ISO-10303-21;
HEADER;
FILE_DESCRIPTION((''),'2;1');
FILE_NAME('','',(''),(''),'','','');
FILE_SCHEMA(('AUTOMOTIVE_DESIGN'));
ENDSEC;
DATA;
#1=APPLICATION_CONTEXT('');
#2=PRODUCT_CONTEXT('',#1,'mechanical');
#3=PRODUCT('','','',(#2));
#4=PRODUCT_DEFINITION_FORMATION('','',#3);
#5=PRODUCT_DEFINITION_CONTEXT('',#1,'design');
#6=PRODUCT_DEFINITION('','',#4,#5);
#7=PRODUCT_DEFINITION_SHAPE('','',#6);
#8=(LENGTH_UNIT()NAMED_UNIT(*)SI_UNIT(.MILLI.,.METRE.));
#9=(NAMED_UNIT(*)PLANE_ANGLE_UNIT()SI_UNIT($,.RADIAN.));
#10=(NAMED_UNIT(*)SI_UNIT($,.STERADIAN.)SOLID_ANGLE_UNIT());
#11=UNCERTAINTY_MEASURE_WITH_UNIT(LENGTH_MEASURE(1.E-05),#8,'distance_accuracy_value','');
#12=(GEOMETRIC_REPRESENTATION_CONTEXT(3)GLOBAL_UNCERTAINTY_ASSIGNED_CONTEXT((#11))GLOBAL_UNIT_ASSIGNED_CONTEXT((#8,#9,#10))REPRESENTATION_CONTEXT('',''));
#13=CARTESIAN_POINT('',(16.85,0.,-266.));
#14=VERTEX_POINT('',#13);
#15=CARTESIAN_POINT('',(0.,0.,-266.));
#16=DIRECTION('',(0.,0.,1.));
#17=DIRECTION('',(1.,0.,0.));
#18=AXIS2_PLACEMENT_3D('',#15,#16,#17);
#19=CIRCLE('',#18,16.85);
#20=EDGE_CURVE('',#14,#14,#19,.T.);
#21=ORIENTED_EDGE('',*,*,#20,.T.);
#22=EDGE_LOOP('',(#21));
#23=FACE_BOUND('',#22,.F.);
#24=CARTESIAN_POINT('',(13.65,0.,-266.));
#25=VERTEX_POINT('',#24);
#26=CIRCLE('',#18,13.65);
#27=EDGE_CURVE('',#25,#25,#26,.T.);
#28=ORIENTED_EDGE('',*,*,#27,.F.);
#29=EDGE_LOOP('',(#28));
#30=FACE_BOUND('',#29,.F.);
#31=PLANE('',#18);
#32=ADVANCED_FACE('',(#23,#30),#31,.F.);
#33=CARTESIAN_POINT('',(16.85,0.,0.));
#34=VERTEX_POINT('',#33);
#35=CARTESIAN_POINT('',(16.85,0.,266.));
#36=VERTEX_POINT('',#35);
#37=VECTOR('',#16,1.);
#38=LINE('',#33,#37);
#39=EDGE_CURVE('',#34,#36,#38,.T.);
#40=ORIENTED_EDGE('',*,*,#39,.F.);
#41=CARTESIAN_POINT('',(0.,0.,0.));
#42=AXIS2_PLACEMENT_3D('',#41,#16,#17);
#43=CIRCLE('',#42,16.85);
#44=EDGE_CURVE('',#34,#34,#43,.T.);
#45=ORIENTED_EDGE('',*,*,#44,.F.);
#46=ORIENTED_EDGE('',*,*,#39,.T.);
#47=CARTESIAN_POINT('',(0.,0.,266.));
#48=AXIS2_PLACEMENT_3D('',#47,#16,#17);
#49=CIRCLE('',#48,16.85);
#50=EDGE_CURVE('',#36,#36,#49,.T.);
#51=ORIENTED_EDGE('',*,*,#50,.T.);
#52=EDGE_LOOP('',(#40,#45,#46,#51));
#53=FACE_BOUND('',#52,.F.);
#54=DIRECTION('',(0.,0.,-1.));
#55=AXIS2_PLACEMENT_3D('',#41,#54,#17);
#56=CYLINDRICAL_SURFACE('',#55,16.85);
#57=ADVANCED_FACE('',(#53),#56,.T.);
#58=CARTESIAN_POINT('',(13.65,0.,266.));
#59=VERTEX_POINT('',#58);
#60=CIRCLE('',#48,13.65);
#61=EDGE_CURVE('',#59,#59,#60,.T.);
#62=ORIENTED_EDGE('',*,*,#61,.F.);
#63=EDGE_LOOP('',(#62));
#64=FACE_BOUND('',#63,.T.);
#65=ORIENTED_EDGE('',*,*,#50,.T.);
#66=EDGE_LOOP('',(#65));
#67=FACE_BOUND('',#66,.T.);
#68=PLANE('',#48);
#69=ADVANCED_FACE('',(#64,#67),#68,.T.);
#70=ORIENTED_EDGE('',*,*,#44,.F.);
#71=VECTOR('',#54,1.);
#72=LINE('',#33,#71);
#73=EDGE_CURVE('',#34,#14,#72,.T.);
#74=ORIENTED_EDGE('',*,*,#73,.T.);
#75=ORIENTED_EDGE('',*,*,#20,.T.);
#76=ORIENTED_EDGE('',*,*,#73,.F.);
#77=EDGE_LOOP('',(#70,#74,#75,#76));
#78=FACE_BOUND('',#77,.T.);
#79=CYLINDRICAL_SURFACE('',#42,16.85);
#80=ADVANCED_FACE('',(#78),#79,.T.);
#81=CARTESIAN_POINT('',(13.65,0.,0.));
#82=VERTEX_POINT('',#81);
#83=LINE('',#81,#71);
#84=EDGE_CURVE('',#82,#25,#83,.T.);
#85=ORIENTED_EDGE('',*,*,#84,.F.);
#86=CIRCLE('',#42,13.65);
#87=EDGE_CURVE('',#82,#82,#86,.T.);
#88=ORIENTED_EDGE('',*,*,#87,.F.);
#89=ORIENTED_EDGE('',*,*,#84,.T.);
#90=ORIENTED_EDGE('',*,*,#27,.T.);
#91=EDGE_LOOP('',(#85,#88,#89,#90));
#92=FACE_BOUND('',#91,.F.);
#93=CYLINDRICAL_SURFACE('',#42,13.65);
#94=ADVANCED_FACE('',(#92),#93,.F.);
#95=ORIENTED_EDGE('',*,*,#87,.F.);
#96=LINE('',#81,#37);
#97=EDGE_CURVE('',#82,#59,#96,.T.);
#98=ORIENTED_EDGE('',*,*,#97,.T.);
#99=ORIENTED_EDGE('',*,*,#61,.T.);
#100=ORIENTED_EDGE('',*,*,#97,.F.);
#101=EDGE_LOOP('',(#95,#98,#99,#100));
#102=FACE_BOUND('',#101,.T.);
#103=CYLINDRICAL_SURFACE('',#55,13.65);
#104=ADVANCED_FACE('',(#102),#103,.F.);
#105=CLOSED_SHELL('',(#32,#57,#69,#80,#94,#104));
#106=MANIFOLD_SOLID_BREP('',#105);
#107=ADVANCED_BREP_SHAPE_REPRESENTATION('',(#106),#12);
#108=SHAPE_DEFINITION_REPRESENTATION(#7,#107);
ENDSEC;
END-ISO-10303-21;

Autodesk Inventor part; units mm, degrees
ref_plane "YZ Plane" through (0, 0, 0) normal (1, 0, 0) x (0, 1, 0)
ref_plane "XZ Plane" through (0, 0, 0) normal (0, 1, 0) x (-1, 0, 0)
ref_plane "XY Plane" through (0, 0, 0) normal (0, 0, 1) x (1, 0, 0)
sketch "Sketch1" plane through (0, 0, 0) normal (0, 0, 1) x (1, 0, 0)
  circle A0 centre (0, 0) radius 16.85
  circle A1 centre (0, 0) radius 13.65
  dimension "OD" = 33.7
  dimension "t" = 3.2
extrude "Extrusion1" add sketch "Sketch1" along normal mid plane 532
equation "\"size\" = 6"
properties part number "TT" material "Aluminium 6082 T6"
